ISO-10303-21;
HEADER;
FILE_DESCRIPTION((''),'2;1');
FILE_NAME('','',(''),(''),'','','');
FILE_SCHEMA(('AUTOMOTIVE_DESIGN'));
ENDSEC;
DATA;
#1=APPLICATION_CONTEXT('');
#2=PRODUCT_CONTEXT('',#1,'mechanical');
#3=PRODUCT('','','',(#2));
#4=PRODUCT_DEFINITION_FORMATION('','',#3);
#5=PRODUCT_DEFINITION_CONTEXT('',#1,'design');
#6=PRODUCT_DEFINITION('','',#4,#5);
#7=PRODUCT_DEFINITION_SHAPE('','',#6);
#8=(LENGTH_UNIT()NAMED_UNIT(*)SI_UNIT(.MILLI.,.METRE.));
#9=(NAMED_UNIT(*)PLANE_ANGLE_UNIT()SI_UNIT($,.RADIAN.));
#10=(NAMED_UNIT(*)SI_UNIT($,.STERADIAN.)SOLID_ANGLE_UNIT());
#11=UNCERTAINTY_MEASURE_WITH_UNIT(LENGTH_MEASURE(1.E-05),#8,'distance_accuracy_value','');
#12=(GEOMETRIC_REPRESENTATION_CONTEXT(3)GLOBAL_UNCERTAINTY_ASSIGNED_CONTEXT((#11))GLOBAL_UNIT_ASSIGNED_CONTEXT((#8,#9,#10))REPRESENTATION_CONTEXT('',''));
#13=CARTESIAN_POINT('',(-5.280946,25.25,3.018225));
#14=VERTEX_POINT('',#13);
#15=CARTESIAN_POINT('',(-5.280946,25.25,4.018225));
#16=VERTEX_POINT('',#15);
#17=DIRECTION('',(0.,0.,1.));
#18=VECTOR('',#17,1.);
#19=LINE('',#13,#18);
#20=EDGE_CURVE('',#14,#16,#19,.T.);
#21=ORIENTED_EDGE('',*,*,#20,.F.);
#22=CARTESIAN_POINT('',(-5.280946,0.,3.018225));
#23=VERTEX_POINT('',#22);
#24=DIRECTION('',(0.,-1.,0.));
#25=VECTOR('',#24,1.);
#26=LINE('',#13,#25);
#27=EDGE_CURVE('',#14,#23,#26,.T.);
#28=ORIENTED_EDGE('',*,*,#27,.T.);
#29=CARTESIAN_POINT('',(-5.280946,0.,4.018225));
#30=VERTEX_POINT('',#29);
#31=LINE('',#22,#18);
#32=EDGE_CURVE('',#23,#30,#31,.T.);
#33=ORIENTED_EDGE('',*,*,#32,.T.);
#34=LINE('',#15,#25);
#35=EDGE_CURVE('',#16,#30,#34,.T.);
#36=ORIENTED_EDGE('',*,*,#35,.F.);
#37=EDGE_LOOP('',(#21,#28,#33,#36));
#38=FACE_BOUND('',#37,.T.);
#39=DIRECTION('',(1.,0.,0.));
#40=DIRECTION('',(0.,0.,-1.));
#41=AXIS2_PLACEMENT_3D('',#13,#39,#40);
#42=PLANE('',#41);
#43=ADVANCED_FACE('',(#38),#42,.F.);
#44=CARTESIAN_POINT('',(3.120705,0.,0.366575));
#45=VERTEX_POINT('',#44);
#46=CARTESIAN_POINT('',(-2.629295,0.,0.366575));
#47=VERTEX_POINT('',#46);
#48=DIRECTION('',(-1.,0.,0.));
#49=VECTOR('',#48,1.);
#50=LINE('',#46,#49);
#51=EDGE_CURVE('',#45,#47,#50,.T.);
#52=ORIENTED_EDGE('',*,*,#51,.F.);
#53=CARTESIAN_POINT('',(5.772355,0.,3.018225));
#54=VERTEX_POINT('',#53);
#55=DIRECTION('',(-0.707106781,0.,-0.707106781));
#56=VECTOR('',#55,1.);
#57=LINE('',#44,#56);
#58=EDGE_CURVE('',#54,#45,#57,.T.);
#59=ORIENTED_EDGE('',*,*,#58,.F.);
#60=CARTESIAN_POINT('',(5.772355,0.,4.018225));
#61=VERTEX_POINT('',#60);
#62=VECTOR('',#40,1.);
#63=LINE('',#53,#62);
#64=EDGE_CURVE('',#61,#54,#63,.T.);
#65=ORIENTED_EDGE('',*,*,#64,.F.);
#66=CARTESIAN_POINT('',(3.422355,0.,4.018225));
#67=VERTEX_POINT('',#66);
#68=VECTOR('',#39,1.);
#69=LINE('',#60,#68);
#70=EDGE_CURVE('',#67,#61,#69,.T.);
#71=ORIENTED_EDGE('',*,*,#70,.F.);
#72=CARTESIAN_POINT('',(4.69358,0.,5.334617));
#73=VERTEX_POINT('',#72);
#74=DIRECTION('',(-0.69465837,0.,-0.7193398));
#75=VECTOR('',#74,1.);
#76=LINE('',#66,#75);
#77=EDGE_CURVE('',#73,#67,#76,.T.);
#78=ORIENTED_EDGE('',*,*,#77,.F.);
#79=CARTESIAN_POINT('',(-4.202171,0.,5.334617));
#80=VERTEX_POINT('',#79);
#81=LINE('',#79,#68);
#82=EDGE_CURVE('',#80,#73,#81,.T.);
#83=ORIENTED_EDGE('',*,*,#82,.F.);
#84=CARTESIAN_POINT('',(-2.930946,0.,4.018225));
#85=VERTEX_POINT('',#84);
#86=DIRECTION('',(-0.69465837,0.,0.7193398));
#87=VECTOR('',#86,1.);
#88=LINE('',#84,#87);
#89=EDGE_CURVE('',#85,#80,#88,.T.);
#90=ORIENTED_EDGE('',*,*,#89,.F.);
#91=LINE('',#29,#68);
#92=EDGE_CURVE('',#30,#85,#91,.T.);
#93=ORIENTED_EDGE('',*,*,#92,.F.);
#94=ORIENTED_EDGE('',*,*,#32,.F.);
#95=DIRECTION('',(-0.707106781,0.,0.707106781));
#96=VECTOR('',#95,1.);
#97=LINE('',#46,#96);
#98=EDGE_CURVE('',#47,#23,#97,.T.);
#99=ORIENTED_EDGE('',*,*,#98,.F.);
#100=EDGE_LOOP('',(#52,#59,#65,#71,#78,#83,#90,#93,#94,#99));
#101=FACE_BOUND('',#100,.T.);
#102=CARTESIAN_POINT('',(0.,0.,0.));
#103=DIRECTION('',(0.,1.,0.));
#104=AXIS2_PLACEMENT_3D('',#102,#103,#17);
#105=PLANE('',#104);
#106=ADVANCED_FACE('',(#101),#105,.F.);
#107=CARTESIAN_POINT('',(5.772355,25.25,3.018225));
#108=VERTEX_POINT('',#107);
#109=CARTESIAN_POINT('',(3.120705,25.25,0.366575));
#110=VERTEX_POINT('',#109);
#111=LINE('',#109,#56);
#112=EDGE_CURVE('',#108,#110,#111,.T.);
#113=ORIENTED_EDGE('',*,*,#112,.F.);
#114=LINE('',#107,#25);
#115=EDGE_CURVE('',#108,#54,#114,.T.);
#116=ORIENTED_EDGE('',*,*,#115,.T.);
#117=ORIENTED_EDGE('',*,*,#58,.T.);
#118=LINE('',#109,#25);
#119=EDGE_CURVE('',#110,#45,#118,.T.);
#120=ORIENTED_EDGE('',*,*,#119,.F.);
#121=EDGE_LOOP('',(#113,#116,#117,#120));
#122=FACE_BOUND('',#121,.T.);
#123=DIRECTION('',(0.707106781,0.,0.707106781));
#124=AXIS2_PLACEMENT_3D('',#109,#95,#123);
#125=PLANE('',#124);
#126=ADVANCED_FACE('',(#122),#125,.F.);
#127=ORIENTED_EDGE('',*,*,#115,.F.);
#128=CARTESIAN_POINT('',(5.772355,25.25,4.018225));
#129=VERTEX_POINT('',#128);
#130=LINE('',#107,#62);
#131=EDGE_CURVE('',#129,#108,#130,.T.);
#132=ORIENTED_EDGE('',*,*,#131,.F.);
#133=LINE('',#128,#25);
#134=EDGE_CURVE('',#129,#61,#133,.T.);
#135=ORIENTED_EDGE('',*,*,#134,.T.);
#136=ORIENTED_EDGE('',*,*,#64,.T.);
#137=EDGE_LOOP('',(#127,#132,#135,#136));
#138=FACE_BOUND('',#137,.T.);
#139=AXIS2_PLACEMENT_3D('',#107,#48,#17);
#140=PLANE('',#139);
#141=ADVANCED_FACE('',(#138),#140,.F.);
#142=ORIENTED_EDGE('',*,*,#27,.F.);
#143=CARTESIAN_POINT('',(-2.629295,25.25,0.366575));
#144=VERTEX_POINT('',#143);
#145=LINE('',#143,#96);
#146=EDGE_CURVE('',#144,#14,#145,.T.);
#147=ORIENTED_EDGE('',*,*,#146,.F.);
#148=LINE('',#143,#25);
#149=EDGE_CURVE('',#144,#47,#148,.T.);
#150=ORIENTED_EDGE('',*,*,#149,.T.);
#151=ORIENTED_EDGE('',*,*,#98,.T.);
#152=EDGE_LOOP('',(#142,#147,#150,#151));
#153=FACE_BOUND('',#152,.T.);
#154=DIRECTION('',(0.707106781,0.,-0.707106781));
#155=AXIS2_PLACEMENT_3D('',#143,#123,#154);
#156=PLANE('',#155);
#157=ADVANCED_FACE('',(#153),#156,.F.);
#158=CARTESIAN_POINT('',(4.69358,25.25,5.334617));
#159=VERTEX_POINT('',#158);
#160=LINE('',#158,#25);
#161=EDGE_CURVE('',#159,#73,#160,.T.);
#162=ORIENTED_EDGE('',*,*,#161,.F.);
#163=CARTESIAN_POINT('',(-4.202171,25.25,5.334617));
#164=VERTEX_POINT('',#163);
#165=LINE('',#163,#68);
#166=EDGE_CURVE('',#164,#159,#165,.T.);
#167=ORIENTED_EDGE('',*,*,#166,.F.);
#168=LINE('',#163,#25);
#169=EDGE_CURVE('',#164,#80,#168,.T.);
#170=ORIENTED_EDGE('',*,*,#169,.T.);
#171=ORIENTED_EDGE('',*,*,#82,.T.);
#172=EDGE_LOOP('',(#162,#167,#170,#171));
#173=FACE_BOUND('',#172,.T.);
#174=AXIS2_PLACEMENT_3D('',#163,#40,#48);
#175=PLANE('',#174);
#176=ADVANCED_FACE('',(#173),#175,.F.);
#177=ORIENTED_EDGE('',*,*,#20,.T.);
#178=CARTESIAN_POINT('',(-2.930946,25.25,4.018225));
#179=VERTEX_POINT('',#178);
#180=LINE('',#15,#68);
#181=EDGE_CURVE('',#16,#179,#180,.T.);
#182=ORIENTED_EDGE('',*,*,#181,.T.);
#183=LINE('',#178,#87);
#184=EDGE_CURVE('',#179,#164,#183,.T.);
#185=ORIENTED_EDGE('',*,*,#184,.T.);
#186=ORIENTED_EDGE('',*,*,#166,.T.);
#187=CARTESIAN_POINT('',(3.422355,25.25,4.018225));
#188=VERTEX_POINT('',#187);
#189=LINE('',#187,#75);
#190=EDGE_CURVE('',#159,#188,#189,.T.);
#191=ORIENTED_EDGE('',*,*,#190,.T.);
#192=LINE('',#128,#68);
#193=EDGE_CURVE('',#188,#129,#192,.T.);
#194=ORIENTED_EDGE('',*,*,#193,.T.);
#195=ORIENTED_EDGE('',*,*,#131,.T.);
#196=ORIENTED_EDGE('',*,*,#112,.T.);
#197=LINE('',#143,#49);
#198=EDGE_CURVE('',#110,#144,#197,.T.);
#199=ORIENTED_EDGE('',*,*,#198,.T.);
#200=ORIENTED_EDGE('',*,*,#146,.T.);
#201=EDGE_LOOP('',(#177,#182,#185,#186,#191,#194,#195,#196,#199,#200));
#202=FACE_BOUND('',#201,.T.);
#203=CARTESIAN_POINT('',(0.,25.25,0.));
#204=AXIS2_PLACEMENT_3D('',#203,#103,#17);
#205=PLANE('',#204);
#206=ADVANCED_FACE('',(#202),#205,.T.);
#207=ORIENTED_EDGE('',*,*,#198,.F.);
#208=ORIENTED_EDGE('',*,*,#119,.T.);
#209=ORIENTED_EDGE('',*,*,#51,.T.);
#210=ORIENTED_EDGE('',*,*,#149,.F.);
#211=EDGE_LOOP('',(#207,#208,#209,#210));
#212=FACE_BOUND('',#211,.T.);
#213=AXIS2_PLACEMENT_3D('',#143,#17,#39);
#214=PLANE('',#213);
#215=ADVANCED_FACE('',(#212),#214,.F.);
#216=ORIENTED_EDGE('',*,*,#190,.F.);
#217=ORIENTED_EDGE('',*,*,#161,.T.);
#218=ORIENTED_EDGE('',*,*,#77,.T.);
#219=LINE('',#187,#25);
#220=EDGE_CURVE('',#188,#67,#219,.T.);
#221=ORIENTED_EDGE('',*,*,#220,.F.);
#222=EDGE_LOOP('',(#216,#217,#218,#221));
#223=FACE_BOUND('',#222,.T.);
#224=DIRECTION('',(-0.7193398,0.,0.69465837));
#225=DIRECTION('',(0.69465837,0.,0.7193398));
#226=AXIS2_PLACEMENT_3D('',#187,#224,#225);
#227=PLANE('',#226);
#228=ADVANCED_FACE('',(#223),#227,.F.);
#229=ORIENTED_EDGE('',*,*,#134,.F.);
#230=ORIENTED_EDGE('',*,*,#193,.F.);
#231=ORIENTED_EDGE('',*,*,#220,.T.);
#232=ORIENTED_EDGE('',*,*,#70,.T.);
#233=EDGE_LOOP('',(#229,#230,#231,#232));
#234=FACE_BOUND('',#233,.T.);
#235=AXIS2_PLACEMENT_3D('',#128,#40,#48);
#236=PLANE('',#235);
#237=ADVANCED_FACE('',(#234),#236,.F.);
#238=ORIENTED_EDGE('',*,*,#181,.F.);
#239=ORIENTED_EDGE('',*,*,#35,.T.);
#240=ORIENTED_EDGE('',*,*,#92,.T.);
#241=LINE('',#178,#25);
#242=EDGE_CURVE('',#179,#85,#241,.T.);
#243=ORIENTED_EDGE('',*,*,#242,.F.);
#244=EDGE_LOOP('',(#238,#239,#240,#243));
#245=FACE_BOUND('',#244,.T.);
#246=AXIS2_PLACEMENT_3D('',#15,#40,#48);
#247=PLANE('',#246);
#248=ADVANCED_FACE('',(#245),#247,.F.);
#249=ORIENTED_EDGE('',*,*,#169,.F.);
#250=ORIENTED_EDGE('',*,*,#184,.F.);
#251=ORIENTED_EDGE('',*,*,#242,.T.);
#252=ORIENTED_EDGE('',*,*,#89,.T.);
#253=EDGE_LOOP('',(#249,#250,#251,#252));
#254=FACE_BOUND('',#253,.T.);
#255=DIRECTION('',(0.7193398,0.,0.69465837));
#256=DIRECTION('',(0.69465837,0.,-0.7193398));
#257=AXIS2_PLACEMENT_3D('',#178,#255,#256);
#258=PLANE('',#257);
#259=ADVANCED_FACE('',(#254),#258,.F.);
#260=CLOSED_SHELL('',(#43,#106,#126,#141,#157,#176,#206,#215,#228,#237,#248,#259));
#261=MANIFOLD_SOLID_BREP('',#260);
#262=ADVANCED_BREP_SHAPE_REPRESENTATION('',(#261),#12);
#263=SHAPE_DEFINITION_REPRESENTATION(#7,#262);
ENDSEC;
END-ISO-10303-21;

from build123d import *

# Parameters (mm, degrees)
BOSS_EXTRUDE1_DEPTH = 25.25


with BuildPart() as part:
    # Sketch1 → Boss-Extrude1 (new body)
    with BuildSketch(Plane(origin=(0, 0, 0), x_dir=(1, 0, 0), z_dir=(0, 1, 0))):
        Polygon((-2.629295399, -0.366574883), (3.120704601, -0.366574883), (5.772355031, -3.018225313), (5.772355031, -4.018225313), (3.422355031, -4.018225313), (4.693579848, -5.334617148), (-4.202170646, -5.334617148), (-2.930945828, -4.018225313), (-5.280945828, -4.018225313), (-5.280945828, -3.018225313), align=None)
    extrude(amount=BOSS_EXTRUDE1_DEPTH)


solid = part.part
